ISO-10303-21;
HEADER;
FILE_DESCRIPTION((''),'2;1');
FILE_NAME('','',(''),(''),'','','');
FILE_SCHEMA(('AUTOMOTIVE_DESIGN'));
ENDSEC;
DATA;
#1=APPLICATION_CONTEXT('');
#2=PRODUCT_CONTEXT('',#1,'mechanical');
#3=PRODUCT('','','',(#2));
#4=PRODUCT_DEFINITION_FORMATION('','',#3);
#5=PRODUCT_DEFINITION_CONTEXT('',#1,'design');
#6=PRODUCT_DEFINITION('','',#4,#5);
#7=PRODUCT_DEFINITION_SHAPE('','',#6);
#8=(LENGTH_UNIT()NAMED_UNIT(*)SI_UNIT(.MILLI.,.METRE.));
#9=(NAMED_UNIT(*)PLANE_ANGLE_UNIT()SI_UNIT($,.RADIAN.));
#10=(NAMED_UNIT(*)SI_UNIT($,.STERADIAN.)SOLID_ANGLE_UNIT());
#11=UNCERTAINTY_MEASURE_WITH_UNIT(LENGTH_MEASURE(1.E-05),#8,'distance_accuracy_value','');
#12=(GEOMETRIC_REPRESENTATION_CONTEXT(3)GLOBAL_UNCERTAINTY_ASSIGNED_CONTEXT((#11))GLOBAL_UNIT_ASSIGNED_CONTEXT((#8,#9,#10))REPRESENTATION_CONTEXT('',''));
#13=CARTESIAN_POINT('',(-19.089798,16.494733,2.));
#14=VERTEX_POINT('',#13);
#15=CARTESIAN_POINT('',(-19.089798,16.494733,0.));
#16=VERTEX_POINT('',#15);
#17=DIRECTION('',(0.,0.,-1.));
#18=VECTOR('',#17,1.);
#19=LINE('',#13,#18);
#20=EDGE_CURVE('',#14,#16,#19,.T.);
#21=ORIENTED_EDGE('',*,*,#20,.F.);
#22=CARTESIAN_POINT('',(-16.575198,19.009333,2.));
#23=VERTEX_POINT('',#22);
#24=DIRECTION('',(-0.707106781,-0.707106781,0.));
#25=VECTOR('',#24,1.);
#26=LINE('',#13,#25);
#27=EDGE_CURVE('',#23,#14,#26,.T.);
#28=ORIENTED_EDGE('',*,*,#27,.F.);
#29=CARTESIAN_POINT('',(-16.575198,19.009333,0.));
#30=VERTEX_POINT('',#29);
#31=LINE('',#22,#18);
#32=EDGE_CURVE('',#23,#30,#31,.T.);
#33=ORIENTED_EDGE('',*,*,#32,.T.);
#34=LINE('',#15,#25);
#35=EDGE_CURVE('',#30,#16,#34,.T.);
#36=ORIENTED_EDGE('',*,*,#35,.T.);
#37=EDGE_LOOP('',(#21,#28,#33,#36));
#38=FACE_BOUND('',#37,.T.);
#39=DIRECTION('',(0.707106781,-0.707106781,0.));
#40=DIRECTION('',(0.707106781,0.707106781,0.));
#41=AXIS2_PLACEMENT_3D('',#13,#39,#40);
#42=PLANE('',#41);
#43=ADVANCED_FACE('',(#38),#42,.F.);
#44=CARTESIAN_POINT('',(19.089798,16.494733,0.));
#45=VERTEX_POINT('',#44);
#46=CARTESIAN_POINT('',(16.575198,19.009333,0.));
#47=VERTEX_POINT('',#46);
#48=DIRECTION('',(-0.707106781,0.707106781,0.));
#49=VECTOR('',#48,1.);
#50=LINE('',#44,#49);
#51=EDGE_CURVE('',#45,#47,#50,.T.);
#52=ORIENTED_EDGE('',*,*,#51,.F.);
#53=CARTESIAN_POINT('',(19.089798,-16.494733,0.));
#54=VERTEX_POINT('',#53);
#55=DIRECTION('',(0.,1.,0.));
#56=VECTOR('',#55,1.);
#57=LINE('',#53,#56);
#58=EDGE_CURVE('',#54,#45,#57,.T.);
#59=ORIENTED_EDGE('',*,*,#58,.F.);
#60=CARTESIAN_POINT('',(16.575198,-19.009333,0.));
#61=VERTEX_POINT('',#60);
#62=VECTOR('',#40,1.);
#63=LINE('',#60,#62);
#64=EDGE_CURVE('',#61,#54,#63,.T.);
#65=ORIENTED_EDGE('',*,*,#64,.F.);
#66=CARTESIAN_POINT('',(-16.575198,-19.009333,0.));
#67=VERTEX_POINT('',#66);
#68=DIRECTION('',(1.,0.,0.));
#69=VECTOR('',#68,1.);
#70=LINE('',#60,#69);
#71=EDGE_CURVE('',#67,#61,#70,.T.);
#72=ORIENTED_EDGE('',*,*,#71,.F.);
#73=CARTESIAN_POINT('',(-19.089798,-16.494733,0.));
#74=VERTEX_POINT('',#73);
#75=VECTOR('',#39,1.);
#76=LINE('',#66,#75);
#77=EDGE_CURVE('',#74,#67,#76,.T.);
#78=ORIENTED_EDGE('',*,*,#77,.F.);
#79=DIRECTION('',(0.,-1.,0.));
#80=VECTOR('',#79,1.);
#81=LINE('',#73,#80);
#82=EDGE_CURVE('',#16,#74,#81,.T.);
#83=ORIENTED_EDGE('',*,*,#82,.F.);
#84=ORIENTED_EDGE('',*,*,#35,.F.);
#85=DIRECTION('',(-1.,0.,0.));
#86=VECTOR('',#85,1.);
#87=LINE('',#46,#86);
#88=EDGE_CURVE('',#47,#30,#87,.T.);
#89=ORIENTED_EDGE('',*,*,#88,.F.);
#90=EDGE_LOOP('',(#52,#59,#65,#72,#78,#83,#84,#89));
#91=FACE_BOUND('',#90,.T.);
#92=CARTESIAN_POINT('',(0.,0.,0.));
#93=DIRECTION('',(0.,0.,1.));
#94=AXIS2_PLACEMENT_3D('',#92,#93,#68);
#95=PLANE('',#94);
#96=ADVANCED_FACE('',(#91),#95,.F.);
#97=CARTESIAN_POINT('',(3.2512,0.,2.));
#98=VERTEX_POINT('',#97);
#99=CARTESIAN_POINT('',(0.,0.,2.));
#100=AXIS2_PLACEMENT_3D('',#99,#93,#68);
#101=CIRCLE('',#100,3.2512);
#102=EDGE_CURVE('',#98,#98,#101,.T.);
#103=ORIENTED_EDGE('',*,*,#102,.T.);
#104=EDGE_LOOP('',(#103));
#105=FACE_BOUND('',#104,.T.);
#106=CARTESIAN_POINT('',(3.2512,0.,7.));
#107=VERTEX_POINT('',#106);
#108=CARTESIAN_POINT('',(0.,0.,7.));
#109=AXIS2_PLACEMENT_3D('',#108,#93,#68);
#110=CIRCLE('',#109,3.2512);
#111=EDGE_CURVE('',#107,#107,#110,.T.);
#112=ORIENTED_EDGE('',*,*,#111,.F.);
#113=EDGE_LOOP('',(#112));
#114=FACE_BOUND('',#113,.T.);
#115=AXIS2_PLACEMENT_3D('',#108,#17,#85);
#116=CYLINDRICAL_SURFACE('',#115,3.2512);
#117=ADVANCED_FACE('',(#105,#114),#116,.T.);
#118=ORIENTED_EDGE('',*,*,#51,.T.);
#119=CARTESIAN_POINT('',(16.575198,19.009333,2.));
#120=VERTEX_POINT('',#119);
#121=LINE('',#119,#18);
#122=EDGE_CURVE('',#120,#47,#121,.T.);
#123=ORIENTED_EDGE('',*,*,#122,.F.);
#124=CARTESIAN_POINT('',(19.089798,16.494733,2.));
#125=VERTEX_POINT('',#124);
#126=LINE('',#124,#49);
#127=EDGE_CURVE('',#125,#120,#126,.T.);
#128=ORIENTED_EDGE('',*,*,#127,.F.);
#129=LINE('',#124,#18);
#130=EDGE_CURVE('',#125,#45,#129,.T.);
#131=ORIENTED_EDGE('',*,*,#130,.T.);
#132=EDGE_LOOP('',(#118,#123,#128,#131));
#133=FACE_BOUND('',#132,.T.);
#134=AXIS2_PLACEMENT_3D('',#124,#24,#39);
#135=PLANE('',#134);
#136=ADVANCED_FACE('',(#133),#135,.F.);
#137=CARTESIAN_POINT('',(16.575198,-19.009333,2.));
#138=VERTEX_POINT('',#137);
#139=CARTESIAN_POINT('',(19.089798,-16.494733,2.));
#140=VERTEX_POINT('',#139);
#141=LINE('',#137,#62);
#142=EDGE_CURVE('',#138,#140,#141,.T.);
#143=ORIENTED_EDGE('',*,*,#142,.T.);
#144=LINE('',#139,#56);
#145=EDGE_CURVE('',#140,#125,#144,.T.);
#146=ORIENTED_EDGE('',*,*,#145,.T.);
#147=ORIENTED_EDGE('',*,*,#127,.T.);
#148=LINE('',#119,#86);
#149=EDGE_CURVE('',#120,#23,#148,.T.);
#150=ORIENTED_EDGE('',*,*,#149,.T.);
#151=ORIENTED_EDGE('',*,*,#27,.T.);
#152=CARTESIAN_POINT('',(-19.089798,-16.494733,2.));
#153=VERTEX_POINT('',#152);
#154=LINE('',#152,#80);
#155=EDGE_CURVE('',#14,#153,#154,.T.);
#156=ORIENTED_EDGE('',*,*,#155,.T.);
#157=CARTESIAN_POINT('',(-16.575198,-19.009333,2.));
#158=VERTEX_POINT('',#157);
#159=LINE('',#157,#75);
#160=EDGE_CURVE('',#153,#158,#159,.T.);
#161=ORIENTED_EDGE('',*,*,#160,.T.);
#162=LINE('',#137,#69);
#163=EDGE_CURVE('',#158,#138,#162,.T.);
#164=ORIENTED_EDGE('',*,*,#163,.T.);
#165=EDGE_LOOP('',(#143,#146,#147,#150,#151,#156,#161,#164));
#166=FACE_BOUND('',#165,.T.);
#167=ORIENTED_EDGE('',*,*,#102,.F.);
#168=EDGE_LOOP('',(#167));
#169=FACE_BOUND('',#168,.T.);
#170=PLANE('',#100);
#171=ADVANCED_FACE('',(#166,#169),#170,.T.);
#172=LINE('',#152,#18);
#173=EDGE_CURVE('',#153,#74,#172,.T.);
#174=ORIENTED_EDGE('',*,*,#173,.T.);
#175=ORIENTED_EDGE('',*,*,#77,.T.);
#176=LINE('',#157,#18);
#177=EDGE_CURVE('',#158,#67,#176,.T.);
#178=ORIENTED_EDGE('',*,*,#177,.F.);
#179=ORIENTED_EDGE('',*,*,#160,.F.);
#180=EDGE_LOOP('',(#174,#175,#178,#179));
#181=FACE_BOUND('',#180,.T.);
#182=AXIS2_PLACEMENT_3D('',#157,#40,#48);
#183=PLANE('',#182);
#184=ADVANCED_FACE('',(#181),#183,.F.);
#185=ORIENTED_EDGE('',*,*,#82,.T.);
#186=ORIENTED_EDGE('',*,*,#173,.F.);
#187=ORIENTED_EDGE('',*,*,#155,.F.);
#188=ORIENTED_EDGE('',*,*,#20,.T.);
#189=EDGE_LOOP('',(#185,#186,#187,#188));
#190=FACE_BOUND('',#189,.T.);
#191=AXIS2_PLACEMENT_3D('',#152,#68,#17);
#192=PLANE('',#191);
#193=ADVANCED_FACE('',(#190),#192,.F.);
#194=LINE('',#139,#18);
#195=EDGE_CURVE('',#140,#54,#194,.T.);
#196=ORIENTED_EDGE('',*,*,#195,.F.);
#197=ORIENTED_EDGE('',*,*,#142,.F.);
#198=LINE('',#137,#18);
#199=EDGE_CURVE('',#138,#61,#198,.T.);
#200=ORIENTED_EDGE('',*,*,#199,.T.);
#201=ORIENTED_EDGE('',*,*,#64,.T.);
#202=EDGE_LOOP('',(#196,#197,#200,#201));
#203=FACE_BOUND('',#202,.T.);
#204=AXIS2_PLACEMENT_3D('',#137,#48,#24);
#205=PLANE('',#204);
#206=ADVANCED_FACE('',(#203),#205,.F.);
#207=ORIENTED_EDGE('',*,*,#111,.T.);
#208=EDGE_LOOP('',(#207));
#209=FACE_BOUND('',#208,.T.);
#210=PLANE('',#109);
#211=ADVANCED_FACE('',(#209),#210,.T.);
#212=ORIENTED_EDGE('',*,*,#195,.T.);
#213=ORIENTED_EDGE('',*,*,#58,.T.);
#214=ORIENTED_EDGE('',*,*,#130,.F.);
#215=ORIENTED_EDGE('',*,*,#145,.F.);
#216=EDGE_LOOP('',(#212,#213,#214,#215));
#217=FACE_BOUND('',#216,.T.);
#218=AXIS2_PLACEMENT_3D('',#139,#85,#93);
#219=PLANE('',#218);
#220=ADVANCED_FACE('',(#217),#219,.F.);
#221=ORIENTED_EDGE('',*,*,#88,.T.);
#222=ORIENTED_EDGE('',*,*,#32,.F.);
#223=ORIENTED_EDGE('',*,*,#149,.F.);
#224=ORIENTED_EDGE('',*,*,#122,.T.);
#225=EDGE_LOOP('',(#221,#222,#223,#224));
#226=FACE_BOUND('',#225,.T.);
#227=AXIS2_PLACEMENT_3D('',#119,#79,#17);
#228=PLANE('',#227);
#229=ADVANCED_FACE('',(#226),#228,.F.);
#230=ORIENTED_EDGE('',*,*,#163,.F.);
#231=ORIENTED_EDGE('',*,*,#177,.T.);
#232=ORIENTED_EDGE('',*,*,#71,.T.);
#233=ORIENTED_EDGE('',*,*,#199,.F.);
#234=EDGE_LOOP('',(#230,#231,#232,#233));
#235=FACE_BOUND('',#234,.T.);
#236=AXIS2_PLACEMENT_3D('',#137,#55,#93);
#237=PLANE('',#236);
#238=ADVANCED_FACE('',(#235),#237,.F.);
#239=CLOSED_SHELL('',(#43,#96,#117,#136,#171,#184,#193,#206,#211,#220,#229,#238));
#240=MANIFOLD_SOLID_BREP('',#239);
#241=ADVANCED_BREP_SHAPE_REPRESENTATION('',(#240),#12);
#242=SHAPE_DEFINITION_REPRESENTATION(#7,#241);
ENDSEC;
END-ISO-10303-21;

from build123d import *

# Parameters (mm, degrees)
BOSS_EXTRUDE1_DEPTH = 2
SKETCH3_R           = 3.2512
BOSS_EXTRUDE2_DEPTH = 5


with BuildPart() as part:
    # Sketch2 → Boss-Extrude1 (new body)
    with BuildSketch(Plane.XY):
        Polygon((16.575197596, -19.009332943), (-16.575197596, -19.009332943), (-19.089797596, -16.494732943), (-19.089797596, 16.494732943), (-16.575197596, 19.009332943), (16.575197596, 19.009332943), (19.089797596, 16.494732943), (19.089797596, -16.494732943), align=None)
    extrude(amount=BOSS_EXTRUDE1_DEPTH)

    # Sketch3 → Boss-Extrude2 (add)
    with BuildSketch(Plane.XY.offset(2)):
        Circle(SKETCH3_R)
    extrude(amount=BOSS_EXTRUDE2_DEPTH)


solid = part.part
